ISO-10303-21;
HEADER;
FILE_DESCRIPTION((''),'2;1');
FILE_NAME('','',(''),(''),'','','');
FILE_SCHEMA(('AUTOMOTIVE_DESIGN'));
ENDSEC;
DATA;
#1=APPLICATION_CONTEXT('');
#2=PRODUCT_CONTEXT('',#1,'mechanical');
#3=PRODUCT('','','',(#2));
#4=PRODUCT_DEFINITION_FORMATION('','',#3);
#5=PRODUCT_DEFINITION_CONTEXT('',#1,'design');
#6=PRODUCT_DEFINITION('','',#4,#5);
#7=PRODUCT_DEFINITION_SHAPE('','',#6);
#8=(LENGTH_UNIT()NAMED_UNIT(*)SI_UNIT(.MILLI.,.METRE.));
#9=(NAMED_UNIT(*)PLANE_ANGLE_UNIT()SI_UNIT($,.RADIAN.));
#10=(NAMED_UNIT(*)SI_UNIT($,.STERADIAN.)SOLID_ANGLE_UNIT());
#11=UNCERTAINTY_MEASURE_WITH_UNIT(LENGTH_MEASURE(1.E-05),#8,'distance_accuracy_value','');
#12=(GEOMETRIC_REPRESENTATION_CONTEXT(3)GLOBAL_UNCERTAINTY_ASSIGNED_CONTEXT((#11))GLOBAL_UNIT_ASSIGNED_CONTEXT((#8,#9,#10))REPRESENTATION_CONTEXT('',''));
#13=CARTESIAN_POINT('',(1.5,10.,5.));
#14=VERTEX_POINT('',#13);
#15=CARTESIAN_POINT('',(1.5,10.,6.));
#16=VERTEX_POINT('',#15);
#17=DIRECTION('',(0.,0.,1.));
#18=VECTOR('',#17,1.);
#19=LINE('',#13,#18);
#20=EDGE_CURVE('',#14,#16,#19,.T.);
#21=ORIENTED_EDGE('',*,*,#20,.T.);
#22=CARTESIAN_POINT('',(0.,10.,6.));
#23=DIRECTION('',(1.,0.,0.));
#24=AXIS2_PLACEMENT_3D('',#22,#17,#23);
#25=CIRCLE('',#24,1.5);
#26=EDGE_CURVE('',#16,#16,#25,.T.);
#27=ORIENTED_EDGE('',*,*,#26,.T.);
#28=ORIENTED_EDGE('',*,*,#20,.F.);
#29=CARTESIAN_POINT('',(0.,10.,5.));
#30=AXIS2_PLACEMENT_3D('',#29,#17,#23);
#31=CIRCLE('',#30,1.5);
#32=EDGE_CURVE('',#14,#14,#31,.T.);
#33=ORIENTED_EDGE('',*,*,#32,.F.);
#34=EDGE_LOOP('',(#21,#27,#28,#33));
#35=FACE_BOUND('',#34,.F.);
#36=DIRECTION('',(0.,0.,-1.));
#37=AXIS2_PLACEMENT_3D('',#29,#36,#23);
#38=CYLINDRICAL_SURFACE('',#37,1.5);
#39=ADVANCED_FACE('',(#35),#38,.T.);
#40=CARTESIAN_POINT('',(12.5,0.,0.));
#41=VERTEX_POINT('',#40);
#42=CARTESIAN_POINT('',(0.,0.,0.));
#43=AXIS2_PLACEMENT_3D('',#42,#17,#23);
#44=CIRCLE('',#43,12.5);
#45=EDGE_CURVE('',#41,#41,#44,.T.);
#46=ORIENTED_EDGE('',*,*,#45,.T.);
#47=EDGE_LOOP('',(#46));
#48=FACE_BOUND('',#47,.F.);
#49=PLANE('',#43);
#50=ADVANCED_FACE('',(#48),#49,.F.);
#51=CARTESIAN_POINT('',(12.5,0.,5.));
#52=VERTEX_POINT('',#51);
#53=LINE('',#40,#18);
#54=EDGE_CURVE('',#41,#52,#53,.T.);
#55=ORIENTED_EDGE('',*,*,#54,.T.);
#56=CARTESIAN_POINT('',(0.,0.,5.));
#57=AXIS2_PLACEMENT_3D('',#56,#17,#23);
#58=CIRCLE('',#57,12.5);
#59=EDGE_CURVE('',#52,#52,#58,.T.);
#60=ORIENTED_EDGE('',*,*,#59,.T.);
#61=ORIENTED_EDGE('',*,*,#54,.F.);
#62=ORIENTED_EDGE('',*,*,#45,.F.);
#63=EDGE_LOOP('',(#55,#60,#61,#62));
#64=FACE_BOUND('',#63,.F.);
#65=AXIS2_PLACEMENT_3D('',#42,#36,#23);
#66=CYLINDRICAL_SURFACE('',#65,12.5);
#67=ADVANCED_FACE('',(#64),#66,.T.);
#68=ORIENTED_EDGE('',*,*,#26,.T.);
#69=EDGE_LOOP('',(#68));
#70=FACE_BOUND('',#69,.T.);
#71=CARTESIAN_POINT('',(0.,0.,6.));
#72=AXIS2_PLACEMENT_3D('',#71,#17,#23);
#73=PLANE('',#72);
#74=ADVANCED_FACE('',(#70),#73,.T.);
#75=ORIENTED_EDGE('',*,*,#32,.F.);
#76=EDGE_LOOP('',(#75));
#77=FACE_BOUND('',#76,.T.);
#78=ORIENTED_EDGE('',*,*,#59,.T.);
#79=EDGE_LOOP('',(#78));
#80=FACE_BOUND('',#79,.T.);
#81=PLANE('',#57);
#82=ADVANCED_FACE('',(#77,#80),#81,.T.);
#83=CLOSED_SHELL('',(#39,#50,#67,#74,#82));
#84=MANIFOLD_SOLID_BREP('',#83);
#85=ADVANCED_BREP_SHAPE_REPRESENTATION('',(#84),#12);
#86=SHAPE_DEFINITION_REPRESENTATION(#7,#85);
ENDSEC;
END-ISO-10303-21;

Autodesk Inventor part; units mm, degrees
ref_plane "YZ Plane" through (0, 0, 0) normal (1, 0, 0) x (0, 1, 0)
ref_plane "XZ Plane" through (0, 0, 0) normal (0, 1, 0) x (-1, 0, 0)
ref_plane "XY Plane" through (0, 0, 0) normal (0, 0, 1) x (1, 0, 0)
sketch "스케치1" plane through (0, 0, 0) normal (0, 0, 1) x (1, 0, 0)
  circle A0 centre (0, 0) radius 12.5
  dimension "d0" = 25
extrude "돌출1" add sketch "스케치1" along normal blind 5
sketch "스케치3" plane through (0, 0, 5) normal (0, 0, 1) x (1, 0, 0)
  circle A0 centre (0, 10) radius 1.5
  line L0 (-17.5, 0) -> (17.5, 0) construction
  line L1 (0, -17.5) -> (0, 17.5) construction
  point P0 (0, 0)
  dimension "d3" = 3
  dimension "d4" = 10
extrude "돌출2" add sketch "스케치3" along normal blind 1
properties part number "원"
